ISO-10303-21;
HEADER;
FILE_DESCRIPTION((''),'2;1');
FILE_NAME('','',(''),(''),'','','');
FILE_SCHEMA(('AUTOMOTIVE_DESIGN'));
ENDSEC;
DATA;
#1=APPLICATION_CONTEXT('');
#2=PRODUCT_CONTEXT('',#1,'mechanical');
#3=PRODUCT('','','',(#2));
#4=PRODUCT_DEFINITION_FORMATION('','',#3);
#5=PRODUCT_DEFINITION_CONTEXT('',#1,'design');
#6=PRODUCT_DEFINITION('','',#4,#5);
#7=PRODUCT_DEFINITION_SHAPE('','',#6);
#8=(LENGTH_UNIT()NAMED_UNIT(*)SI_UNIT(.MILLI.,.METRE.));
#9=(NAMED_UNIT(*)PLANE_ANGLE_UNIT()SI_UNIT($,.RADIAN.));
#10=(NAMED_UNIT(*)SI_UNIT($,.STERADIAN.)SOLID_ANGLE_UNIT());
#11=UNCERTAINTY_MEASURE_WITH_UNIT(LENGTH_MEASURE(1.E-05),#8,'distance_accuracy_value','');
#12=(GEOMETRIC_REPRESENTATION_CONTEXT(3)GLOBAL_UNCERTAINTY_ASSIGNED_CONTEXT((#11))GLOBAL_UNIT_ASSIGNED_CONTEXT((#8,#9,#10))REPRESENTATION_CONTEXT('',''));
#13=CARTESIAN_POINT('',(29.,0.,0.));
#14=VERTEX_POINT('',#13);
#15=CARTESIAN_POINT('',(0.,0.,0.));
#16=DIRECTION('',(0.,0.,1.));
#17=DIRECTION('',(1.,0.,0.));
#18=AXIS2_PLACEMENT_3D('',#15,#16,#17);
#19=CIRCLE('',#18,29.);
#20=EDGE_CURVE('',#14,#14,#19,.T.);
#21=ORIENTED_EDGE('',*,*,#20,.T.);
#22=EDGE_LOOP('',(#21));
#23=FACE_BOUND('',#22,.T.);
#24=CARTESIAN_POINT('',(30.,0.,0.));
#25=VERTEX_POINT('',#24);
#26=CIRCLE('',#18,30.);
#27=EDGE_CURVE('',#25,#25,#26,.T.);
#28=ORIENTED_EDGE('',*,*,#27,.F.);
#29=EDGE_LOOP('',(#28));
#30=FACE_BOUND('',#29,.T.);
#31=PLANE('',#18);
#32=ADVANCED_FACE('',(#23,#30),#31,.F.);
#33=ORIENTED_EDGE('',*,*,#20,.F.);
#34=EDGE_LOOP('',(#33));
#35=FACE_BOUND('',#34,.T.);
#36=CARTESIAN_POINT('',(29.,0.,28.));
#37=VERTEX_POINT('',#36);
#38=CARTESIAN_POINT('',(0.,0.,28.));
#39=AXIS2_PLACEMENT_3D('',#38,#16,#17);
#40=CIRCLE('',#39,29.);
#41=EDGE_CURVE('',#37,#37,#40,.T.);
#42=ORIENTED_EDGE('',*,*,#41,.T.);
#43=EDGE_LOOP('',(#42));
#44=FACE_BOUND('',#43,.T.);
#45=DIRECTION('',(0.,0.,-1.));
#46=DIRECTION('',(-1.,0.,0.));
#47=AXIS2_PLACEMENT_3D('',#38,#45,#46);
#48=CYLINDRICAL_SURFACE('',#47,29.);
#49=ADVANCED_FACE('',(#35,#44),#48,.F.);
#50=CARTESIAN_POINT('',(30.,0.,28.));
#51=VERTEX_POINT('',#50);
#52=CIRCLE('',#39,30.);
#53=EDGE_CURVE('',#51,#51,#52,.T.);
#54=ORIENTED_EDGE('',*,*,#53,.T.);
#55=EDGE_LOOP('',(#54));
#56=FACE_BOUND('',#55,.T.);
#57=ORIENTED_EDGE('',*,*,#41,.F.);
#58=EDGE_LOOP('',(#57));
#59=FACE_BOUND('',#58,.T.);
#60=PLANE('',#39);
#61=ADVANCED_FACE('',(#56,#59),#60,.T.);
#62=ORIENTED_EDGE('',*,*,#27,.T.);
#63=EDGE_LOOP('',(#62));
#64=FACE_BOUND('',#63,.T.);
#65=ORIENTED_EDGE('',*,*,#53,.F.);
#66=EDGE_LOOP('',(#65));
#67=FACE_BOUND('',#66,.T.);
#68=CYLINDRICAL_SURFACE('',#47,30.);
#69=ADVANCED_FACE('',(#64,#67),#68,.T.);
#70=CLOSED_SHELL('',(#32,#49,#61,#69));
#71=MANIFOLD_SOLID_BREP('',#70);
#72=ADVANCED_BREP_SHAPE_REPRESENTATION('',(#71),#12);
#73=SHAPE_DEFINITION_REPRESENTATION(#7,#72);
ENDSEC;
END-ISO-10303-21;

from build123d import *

# Parameters (mm, degrees)
ESQUISSE1_R        = 30
ESQUISSE1_R_2      = 29
BOSS_EXTRU_1_DEPTH = 28


with BuildPart() as part:
    # Esquisse1 → Boss.-Extru.1 (new body)
    with BuildSketch(Plane.XY):
        Circle(ESQUISSE1_R)
        Circle(ESQUISSE1_R_2, mode=Mode.SUBTRACT)
    extrude(amount=BOSS_EXTRU_1_DEPTH)


solid = part.part
